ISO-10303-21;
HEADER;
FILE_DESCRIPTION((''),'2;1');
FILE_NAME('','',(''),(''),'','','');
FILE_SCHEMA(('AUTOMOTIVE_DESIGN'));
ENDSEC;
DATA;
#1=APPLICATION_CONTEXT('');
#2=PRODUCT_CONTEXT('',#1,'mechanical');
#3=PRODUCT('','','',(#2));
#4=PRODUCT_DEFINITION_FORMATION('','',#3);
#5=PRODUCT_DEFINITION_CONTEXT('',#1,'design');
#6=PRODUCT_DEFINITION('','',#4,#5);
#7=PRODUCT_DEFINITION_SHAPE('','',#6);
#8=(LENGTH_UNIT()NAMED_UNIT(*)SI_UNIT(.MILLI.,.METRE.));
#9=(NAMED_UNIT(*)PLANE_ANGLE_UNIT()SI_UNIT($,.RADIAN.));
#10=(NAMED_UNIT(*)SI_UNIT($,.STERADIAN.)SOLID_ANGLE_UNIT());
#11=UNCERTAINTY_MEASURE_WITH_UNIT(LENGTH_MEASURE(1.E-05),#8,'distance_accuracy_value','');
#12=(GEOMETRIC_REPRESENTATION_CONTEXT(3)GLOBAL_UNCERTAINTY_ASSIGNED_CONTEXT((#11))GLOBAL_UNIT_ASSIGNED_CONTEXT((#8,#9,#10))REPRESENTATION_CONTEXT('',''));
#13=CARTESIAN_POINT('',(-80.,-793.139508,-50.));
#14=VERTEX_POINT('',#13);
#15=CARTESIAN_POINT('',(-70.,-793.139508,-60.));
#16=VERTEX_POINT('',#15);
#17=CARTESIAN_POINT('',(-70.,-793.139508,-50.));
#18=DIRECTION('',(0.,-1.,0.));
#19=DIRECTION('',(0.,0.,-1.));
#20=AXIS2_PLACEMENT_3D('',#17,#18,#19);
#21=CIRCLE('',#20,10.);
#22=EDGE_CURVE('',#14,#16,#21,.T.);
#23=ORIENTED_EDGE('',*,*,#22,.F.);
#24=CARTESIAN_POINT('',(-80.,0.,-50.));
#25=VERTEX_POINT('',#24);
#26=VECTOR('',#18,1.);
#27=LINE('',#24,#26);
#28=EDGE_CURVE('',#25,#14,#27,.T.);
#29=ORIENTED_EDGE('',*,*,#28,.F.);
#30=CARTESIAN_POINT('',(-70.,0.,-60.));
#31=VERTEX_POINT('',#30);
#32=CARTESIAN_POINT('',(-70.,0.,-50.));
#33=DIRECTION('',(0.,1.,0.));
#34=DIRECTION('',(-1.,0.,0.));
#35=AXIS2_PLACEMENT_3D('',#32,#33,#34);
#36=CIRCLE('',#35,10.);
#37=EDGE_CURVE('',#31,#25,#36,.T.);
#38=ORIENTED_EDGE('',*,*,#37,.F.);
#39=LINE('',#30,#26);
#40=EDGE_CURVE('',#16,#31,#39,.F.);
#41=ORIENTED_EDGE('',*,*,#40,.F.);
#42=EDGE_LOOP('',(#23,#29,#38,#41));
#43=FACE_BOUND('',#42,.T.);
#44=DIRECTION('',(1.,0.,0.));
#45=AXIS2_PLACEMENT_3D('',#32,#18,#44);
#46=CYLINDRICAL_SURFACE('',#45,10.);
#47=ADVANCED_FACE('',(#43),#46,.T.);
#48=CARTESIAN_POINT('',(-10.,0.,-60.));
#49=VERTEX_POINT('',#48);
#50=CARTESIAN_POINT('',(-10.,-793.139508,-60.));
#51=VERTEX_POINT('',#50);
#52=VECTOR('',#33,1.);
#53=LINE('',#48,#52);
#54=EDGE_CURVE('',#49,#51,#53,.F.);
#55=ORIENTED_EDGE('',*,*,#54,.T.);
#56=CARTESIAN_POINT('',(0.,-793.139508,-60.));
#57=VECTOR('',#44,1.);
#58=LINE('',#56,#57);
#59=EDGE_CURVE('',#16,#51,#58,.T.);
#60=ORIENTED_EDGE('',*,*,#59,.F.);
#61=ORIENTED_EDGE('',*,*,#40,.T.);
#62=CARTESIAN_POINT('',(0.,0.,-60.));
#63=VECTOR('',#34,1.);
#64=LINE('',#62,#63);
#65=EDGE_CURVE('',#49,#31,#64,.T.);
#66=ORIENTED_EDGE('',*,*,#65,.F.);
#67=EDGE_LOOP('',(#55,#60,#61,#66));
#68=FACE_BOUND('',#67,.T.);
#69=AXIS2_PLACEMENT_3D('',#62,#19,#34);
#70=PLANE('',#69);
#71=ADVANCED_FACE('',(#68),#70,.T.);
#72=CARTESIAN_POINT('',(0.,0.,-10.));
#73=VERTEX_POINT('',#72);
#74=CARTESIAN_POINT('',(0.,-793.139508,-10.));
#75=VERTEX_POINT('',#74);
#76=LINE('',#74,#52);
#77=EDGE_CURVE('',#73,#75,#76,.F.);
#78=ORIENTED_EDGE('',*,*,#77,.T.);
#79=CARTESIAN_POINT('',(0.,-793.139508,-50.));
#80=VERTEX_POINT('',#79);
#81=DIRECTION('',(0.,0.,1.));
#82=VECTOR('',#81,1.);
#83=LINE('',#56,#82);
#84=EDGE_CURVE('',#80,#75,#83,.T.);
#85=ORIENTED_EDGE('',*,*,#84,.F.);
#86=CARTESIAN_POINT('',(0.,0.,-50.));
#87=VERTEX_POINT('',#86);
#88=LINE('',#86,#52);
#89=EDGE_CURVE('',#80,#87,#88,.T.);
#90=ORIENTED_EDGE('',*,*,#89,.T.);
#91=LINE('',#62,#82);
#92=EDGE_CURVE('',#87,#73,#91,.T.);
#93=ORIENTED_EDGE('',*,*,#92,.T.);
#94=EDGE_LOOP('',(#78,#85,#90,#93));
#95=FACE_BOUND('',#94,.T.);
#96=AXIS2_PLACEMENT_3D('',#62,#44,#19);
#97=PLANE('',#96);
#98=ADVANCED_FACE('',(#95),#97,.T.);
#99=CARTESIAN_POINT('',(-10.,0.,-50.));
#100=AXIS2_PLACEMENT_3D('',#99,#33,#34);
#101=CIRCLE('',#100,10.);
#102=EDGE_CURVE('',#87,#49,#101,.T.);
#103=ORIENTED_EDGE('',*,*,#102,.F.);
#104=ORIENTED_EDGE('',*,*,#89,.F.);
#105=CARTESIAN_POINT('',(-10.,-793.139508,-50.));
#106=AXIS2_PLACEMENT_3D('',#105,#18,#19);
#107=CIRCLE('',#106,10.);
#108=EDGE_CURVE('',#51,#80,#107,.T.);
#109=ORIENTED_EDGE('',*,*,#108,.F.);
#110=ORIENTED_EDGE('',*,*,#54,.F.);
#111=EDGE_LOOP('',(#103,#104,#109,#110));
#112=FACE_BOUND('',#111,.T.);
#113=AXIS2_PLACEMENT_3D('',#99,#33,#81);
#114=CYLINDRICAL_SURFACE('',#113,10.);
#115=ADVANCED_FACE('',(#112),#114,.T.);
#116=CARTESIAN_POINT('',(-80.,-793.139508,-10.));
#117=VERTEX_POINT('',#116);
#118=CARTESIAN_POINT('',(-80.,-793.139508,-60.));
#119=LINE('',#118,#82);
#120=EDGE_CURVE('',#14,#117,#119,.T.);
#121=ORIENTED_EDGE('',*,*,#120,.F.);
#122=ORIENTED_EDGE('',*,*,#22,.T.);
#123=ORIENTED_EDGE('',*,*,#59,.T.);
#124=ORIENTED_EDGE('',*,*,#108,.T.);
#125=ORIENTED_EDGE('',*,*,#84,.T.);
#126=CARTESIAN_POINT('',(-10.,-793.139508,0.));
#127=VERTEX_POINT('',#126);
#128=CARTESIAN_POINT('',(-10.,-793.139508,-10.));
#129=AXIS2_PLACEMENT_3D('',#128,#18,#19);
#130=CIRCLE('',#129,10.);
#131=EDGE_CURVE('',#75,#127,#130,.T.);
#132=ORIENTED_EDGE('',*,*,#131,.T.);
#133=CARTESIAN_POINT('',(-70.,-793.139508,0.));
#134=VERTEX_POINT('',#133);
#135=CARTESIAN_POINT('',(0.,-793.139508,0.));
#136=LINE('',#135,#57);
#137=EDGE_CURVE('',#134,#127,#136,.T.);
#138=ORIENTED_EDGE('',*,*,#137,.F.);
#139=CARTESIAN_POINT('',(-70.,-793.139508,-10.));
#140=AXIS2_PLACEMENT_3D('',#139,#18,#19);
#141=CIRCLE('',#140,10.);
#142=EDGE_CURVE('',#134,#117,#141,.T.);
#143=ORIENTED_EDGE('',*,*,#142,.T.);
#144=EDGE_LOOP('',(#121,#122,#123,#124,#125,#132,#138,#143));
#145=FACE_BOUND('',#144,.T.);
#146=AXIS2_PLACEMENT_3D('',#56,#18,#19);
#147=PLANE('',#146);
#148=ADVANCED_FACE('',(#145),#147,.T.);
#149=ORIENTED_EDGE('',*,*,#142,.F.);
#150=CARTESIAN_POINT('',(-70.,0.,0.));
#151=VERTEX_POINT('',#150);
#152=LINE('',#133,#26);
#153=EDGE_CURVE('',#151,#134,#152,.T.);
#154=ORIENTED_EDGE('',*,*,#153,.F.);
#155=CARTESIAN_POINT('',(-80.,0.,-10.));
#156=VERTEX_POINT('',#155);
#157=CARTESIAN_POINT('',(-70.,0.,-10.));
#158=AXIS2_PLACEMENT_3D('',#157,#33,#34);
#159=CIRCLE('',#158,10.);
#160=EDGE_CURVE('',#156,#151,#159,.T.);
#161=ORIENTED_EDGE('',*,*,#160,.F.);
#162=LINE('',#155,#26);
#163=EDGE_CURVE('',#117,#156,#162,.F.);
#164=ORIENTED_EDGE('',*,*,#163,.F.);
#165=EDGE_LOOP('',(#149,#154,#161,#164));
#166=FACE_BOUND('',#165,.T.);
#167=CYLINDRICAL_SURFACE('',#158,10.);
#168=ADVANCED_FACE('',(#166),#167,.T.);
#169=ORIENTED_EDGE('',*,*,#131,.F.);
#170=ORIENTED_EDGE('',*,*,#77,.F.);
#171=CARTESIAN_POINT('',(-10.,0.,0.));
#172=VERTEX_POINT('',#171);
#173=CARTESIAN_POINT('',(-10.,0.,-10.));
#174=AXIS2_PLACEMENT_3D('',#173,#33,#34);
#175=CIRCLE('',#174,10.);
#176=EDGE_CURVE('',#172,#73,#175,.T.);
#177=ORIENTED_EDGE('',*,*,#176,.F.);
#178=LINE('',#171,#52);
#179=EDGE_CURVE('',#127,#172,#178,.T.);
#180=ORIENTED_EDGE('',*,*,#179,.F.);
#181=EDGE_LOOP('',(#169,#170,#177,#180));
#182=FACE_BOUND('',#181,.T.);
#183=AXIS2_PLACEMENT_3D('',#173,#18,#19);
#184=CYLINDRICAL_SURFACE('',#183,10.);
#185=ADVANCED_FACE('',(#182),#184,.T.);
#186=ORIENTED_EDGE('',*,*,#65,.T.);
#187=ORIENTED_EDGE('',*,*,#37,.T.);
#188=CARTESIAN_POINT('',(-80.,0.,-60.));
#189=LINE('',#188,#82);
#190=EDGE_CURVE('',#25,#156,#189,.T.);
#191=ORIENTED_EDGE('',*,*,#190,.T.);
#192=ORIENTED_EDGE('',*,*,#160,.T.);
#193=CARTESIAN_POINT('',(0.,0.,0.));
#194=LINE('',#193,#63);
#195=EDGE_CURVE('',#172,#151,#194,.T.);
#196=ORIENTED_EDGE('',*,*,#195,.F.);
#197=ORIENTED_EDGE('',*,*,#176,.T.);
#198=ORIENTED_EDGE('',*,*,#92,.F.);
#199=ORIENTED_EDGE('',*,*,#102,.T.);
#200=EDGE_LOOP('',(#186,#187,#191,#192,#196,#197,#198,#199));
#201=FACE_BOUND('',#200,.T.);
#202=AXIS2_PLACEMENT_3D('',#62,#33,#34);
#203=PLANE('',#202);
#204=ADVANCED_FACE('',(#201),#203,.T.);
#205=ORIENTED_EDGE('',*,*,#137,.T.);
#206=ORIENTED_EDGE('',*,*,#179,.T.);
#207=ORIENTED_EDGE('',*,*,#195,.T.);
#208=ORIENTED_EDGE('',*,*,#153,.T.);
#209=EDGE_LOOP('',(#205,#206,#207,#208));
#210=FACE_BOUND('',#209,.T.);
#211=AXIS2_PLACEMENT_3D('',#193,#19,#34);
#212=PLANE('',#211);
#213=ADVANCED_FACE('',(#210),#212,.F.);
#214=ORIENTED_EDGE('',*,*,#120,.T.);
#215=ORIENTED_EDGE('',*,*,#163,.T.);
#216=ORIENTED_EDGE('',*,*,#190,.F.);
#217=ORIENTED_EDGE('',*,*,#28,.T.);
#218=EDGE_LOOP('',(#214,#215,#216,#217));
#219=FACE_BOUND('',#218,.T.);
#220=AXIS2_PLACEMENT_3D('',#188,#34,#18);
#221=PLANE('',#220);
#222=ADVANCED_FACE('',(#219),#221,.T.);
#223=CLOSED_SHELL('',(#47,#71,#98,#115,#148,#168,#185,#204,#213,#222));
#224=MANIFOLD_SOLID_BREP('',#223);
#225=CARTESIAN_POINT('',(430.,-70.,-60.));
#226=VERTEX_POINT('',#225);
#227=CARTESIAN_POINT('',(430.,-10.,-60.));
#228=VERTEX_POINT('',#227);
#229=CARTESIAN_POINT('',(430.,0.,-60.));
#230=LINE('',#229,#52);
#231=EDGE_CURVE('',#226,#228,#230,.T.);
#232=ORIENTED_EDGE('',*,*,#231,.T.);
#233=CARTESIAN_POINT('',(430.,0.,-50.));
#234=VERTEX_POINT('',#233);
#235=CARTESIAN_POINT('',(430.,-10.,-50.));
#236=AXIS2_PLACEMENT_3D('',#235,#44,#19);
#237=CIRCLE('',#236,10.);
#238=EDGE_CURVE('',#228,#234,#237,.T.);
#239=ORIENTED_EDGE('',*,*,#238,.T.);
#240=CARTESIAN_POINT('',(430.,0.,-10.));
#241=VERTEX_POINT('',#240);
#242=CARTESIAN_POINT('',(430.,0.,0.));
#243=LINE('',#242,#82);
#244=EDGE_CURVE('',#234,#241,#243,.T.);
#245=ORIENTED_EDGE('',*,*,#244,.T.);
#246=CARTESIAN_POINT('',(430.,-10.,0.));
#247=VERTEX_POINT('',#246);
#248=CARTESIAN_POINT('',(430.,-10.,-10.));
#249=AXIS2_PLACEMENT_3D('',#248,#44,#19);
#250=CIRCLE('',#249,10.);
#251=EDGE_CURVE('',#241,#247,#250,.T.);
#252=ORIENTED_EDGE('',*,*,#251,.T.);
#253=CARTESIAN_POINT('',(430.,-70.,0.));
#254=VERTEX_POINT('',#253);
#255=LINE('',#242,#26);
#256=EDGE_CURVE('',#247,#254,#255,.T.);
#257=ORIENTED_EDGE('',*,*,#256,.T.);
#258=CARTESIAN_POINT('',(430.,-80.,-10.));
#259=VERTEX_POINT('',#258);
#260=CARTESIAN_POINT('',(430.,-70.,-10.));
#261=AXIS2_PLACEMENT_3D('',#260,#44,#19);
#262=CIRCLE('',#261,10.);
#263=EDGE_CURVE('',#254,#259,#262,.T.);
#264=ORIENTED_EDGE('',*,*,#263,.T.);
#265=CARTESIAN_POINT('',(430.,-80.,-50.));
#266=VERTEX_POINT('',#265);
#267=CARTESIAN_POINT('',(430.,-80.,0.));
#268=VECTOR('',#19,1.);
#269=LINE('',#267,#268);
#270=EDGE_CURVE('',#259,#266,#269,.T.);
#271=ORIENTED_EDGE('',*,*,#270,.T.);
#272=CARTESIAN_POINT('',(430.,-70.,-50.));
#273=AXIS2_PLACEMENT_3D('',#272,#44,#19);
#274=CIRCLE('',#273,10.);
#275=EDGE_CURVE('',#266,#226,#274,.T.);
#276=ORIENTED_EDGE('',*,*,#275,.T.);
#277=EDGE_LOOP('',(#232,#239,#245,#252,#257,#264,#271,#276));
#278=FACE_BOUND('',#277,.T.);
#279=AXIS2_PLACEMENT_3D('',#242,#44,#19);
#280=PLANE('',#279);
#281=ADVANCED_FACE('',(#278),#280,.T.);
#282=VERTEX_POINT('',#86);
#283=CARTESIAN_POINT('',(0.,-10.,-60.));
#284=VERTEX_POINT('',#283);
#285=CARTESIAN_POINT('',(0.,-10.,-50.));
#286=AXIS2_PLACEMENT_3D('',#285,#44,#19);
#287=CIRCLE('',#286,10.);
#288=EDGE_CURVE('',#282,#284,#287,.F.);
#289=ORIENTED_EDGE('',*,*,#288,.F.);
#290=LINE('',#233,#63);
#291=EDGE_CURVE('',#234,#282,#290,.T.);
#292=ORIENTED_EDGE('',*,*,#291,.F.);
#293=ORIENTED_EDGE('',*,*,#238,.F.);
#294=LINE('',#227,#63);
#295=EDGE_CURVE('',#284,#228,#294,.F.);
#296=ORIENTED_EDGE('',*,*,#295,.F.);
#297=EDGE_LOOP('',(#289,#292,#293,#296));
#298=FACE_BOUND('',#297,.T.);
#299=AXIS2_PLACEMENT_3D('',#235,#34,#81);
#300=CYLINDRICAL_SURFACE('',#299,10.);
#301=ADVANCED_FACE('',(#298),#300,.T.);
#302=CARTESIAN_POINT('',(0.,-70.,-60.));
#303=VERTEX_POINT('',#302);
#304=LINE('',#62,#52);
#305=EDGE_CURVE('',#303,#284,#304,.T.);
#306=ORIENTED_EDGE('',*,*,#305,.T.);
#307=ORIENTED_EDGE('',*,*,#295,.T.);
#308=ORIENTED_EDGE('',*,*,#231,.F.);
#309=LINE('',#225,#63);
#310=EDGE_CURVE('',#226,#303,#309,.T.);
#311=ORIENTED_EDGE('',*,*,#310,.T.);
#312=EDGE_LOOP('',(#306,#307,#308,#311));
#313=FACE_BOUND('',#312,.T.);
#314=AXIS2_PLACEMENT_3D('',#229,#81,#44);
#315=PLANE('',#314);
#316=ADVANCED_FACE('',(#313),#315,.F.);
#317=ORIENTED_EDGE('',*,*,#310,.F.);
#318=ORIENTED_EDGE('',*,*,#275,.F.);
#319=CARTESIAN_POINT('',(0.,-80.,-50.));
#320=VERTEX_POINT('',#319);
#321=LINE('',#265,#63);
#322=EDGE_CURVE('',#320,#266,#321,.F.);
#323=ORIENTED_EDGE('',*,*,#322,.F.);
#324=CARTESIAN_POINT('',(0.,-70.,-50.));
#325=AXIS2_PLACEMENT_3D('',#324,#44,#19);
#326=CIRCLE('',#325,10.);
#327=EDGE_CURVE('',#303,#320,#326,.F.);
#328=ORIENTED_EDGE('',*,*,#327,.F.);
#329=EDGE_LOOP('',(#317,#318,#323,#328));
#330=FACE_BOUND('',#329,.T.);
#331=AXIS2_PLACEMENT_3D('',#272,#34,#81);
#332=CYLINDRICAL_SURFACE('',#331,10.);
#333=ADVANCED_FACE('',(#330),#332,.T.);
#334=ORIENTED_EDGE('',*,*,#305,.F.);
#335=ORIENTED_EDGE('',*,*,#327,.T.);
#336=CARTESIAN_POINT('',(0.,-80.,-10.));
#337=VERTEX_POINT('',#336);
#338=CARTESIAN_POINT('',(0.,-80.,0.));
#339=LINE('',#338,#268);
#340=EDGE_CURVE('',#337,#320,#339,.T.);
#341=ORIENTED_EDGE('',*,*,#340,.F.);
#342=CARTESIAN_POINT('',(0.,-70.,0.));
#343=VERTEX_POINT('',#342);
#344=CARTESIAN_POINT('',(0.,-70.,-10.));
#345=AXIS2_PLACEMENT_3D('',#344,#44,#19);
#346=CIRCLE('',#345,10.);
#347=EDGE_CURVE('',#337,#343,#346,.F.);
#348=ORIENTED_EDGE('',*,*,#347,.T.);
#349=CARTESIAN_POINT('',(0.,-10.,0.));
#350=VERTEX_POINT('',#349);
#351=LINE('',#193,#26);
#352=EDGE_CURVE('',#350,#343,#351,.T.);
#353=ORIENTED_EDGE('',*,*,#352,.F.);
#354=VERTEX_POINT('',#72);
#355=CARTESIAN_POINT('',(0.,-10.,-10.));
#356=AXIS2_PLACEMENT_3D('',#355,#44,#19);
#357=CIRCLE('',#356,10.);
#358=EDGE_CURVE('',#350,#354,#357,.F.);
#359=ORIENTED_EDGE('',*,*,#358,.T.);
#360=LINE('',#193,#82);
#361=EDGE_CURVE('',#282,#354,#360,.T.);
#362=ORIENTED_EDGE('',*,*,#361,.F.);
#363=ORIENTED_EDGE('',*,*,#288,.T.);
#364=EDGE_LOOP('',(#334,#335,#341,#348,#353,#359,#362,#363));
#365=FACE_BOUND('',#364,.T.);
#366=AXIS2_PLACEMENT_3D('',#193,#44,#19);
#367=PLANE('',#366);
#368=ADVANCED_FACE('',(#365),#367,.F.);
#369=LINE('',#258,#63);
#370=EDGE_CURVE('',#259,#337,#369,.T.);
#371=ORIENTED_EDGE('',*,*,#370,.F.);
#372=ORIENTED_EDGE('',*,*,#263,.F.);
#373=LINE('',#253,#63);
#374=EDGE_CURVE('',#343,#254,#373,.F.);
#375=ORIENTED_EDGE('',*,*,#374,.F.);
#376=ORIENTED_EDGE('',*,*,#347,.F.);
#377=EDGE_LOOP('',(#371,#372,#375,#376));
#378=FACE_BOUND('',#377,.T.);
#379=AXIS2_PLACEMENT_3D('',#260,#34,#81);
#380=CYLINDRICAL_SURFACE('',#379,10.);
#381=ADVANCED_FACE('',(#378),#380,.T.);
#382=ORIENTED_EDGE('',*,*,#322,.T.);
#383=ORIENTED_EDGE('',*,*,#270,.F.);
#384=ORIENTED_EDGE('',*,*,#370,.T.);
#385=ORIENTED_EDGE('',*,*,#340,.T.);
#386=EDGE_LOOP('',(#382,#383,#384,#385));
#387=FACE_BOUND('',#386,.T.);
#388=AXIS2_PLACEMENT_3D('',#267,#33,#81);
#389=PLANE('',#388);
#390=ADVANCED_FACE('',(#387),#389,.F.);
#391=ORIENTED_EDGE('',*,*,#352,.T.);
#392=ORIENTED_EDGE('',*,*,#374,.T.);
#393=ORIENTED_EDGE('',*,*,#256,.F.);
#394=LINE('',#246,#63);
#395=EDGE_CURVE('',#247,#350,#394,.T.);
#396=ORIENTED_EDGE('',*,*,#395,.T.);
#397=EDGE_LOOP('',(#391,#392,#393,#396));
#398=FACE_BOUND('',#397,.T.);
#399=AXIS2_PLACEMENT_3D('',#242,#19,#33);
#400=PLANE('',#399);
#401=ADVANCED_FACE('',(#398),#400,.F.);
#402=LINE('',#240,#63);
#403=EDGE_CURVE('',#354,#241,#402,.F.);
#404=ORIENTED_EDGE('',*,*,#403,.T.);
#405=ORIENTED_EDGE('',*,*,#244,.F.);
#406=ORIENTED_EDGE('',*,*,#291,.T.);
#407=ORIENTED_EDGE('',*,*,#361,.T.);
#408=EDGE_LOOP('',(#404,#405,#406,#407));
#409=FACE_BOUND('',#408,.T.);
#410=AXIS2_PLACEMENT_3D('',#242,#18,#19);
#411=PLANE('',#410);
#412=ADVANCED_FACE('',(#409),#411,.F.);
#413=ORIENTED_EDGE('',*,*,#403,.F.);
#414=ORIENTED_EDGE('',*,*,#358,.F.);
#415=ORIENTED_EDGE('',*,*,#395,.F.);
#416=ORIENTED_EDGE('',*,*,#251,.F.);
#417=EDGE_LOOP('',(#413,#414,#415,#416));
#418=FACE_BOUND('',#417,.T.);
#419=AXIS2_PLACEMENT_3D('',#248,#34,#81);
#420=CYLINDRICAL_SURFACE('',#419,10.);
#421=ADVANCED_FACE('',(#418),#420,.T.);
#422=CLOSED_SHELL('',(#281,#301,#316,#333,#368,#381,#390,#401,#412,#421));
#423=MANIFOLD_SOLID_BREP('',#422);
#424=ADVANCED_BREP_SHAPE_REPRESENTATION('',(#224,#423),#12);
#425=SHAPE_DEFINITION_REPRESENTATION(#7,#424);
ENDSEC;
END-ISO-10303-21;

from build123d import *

# Parameters (mm, degrees)
SKETCH1_W           = 80
SKETCH1_H           = 793.139508354
BOSS_EXTRUDE1_DEPTH = 60
SKETCH2_W           = 60
SKETCH2_H           = 80
BOSS_EXTRUDE2_DEPTH = 430
FILLET1_R           = 10
FILLET2_R           = 10


with BuildPart() as part:
    # Sketch1 → Boss-Extrude1 (new body)
    with BuildSketch(Plane.XY):
        with Locations((-40, -396.569754177)):
            Rectangle(SKETCH1_W, SKETCH1_H)
    extrude(amount=-BOSS_EXTRUDE1_DEPTH)

    # Fillet1
    fillet1_edges = [part.edges().sort_by_distance(p)[0] for p in [
        (-80, -396.569754177, -60),
        (0, -396.569754177, -60),
        (-80, -396.569754177, 0),
        (0, -396.569754177, 0),
    ]]
    fillet(fillet1_edges, radius=FILLET1_R)


with BuildPart() as body_2:
    # Sketch2 → Boss-Extrude2 (new body)
    with BuildSketch(Plane(origin=(0, 0, 0), x_dir=(0, 0, -1), z_dir=(1, 0, 0))):
        with Locations((30, -40)):
            Rectangle(SKETCH2_W, SKETCH2_H)
    extrude(amount=BOSS_EXTRUDE2_DEPTH)

    # Fillet2
    fillet2_edges = [body_2.edges().sort_by_distance(p)[0] for p in [
        (215, 0, 0),
        (215, 0, -60),
        (215, -80, -60),
        (215, -80, 0),
    ]]
    fillet(fillet2_edges, radius=FILLET2_R)


solid = Compound([part.part, body_2.part])
